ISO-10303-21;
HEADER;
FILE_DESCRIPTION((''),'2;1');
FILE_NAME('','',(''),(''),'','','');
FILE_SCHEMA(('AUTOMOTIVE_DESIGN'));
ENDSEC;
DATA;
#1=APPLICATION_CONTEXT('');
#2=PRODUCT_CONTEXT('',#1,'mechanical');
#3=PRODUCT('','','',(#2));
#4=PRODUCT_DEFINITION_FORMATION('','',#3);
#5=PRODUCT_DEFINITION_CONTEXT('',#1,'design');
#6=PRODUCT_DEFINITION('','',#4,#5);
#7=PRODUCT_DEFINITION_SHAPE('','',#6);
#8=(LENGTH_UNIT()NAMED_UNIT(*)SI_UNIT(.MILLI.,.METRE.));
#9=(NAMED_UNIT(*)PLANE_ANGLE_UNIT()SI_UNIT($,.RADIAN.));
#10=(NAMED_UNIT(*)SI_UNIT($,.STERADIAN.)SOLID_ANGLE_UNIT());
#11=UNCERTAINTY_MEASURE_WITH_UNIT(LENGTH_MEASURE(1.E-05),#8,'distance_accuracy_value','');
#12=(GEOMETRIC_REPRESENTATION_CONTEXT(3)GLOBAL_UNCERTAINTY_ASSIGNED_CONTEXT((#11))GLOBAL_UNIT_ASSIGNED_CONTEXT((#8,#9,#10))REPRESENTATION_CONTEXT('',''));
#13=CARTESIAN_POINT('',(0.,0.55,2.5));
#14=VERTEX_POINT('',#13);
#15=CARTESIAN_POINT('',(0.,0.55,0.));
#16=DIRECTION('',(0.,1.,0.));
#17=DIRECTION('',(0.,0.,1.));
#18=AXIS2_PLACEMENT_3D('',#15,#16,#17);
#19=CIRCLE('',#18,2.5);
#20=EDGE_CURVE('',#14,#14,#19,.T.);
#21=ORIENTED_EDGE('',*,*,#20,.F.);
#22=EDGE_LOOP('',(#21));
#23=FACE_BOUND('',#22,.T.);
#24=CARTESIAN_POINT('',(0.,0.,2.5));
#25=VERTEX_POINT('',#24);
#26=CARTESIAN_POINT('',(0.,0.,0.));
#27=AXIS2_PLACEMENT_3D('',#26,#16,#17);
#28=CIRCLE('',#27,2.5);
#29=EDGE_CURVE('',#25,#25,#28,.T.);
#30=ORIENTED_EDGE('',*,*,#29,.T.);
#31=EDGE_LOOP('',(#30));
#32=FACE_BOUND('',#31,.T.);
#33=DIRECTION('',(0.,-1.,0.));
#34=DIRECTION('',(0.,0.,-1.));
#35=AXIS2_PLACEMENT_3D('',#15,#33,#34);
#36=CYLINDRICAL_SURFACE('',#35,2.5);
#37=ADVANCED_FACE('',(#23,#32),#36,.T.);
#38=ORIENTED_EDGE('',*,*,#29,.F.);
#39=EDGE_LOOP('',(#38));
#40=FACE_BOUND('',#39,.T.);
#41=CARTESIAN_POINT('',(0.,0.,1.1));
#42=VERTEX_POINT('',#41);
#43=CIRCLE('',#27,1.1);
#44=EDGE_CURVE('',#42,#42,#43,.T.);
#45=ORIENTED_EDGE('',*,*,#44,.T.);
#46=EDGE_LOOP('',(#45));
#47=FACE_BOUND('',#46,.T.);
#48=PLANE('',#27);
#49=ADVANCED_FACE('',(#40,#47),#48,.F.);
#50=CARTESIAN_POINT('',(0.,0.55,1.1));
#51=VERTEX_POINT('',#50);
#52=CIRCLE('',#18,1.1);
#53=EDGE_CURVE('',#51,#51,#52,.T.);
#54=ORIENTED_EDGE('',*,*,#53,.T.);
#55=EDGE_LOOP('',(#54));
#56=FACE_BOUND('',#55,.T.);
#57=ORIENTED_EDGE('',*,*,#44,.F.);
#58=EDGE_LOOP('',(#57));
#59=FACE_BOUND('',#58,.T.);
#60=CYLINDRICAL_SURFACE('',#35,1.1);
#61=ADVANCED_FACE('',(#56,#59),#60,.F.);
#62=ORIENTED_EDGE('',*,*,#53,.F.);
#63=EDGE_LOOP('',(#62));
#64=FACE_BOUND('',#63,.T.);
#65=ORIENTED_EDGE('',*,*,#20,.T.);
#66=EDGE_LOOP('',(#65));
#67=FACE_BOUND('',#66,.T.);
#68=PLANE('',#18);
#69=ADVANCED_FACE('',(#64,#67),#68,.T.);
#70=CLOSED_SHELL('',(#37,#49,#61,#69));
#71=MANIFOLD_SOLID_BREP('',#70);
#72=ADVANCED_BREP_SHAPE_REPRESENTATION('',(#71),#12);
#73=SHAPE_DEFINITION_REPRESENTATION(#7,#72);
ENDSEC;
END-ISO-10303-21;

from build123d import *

# Parameters (mm, degrees)
SKETCH_1_R      = 2.5
SKETCH_1_R_2    = 1.1
EXTRUDE_1_DEPTH = 0.55


with BuildPart() as part:
    # 草图1 → 凸台-拉伸1 (new body)
    with BuildSketch(Plane(origin=(0, 0, 0), x_dir=(1, 0, 0), z_dir=(0, 1, 0))):
        Circle(SKETCH_1_R)
        Circle(SKETCH_1_R_2, mode=Mode.SUBTRACT)
    extrude(amount=EXTRUDE_1_DEPTH)


solid = part.part
